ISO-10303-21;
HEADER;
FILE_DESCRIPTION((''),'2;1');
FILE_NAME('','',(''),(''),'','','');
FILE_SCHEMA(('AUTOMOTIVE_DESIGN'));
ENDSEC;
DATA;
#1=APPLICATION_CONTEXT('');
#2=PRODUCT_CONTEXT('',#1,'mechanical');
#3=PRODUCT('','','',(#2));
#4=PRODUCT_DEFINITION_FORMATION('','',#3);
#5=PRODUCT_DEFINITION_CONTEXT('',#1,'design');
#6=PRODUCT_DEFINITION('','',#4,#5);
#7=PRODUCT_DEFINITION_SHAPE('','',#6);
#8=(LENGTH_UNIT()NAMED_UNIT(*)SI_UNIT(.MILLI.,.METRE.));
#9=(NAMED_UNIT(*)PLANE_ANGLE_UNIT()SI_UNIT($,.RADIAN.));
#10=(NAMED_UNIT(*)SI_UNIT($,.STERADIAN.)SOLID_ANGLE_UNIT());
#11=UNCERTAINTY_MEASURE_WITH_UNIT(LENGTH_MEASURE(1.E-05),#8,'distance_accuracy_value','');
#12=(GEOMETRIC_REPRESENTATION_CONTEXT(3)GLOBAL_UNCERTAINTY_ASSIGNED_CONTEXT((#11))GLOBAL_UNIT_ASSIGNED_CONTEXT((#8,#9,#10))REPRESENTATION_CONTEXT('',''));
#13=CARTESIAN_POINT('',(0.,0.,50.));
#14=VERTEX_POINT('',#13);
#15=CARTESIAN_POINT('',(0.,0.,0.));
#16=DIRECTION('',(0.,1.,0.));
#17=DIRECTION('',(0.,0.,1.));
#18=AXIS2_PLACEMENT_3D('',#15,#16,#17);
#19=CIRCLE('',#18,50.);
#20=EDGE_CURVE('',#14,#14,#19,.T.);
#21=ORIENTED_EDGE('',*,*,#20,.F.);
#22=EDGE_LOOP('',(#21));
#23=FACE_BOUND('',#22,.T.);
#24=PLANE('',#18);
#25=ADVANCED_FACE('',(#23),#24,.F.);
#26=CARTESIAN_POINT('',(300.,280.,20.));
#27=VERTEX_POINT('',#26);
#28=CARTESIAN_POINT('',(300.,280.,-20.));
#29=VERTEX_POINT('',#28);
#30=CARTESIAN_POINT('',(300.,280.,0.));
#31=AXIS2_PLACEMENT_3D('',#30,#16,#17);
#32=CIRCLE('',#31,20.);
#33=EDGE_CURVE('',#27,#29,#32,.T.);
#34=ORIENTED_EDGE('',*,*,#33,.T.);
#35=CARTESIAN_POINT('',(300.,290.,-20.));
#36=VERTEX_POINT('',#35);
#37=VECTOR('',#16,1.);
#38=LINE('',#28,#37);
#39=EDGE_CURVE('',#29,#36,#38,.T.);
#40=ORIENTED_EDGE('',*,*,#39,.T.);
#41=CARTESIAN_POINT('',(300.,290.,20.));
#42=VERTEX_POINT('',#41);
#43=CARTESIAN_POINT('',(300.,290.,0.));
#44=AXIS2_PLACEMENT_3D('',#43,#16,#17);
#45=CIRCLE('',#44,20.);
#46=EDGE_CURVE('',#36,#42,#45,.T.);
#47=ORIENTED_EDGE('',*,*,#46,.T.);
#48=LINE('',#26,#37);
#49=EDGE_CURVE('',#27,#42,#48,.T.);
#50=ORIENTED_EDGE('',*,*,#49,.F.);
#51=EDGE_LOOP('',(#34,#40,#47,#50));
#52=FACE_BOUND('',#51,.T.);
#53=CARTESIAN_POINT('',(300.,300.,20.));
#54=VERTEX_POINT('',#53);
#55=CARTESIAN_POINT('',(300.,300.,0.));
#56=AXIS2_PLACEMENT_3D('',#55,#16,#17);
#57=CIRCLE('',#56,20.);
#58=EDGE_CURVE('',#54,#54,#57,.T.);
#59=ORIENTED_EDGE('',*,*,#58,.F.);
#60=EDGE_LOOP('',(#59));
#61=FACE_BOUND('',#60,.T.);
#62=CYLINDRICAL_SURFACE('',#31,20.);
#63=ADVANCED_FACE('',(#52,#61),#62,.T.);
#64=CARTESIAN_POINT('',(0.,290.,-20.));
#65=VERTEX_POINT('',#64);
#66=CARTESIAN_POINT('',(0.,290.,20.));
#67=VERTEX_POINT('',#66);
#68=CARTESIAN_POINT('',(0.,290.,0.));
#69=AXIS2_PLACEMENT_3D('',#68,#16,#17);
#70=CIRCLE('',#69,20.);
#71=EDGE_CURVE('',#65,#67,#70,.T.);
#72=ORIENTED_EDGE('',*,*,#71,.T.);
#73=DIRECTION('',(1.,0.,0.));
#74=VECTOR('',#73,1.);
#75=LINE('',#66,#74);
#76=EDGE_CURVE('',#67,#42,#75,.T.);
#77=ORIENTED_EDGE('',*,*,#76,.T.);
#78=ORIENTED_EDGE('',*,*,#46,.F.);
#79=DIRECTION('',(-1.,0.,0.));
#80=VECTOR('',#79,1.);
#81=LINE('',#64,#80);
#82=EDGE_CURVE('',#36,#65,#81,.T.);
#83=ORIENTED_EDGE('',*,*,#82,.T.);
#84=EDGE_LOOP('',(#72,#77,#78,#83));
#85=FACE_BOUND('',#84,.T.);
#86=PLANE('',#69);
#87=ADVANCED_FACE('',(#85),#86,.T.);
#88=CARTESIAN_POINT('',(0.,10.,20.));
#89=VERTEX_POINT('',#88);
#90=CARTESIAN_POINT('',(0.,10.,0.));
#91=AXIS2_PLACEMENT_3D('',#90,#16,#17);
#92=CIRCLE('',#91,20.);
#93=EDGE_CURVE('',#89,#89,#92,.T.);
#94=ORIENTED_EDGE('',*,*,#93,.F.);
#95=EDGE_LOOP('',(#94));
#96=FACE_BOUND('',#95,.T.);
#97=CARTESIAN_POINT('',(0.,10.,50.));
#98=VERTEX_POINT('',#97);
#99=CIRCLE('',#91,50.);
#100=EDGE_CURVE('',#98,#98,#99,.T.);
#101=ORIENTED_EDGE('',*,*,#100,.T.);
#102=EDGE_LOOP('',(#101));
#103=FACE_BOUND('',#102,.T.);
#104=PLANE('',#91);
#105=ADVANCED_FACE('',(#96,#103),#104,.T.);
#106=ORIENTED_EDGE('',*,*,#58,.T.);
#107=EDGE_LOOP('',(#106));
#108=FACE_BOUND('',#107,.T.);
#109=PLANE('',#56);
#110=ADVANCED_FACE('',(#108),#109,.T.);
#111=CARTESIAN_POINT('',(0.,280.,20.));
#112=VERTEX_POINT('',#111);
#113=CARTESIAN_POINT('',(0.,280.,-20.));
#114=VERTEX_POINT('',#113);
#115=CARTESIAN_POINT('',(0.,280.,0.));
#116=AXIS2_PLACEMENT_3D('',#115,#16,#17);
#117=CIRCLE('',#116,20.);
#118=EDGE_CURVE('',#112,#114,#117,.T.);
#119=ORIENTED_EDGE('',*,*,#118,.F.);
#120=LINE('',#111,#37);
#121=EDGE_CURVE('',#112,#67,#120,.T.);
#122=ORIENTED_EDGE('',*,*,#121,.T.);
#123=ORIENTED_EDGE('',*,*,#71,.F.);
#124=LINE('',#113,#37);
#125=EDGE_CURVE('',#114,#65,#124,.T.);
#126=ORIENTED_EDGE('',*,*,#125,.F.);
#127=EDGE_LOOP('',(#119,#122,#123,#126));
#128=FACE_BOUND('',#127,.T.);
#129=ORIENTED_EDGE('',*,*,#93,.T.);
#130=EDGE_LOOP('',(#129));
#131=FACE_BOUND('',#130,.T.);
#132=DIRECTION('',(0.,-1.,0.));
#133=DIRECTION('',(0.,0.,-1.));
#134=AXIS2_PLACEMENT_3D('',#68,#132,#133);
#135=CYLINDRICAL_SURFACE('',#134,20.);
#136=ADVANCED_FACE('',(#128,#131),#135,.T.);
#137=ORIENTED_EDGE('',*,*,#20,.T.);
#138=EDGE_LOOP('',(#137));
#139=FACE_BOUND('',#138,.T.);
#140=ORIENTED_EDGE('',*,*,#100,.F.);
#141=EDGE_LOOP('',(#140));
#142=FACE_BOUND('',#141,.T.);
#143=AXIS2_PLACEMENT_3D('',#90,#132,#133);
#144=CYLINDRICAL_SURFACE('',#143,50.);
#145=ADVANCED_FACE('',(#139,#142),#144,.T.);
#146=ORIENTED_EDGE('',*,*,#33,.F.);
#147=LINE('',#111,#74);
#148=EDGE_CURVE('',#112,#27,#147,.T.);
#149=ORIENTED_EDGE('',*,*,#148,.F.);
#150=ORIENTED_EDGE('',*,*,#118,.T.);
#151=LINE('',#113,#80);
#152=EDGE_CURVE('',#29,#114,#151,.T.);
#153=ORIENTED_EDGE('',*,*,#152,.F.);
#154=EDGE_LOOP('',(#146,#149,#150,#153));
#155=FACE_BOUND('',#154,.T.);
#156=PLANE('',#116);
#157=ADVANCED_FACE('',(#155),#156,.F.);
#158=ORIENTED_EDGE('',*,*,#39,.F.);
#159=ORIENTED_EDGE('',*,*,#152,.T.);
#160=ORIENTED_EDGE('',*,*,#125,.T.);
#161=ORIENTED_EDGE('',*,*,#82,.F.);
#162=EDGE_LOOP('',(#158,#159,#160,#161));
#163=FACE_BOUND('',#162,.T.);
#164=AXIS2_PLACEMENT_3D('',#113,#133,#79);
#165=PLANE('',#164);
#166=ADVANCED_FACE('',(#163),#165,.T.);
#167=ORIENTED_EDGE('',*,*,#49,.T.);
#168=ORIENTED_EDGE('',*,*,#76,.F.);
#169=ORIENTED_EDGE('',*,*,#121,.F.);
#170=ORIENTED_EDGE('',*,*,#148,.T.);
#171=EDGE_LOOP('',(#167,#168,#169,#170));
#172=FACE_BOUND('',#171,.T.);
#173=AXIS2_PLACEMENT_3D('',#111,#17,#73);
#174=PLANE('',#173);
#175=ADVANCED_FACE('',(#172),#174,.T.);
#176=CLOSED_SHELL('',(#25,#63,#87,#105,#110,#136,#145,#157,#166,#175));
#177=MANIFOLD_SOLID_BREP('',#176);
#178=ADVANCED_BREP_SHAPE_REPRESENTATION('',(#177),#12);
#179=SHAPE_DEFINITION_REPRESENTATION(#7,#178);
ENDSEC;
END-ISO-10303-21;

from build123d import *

# Parameters (mm, degrees)
SKETCH1_R                = 50
BOSS_EXTRUDE1_DEPTH      = 10
SKETCH2_R                = 20
BOSS_EXTRUDE2_DEPTH      = 280
BOSS_EXTRUDE3_START      = -10
BOSS_EXTRUDE3_DEPTH      = 10
BOSS_EXTRUDE4_DEPTH      = 10
BOSS_EXTRUDE4_DEPTH_BACK = 10
SKETCH5_R                = 20


with BuildPart() as part:
    # Sketch1 → Boss-Extrude1 (new body)
    with BuildSketch(Plane(origin=(0, 0, 0), x_dir=(1, 0, 0), z_dir=(0, 1, 0))):
        with Locations(Location((0, 0, 0), (0, 0, 270))):
            Circle(SKETCH1_R)
    extrude(amount=BOSS_EXTRUDE1_DEPTH)

    # Sketch2 → Boss-Extrude2 (add)
    with BuildSketch(Plane(origin=(0, 10, 0), x_dir=(1, 0, 0), z_dir=(0, 1, 0))):
        with Locations(Location((0, 0, 0), (0, 0, 270))):
            Circle(SKETCH2_R)
    extrude(amount=BOSS_EXTRUDE2_DEPTH)

    # Sketch4 → Boss-Extrude3 (add)
    with BuildSketch(Plane(origin=(0, 290, 0), x_dir=(1, 0, 0), z_dir=(0, 1, 0)).offset(BOSS_EXTRUDE3_START)):
        with BuildLine():
            Line((0, 20), (300, 20))
            Line((300, 20), (300, -20))
            Line((300, -20), (0, -20))
            ThreePointArc((0, -20), (-20, 0), (0, 20))
        make_face()
    extrude(amount=BOSS_EXTRUDE3_DEPTH)

    # Sketch5 → Boss-Extrude4 (add, two sides: drawn at the far end of the back side and taken through both)
    with BuildSketch(Plane(origin=(0, 290, 0), x_dir=(1, 0, 0), z_dir=(0, 1, 0)).offset(-BOSS_EXTRUDE4_DEPTH_BACK)):
        with Locations(Location((300, 0, 0), (0, 0, 270))):
            Circle(SKETCH5_R)
    extrude(amount=BOSS_EXTRUDE4_DEPTH + BOSS_EXTRUDE4_DEPTH_BACK)


solid = part.part
